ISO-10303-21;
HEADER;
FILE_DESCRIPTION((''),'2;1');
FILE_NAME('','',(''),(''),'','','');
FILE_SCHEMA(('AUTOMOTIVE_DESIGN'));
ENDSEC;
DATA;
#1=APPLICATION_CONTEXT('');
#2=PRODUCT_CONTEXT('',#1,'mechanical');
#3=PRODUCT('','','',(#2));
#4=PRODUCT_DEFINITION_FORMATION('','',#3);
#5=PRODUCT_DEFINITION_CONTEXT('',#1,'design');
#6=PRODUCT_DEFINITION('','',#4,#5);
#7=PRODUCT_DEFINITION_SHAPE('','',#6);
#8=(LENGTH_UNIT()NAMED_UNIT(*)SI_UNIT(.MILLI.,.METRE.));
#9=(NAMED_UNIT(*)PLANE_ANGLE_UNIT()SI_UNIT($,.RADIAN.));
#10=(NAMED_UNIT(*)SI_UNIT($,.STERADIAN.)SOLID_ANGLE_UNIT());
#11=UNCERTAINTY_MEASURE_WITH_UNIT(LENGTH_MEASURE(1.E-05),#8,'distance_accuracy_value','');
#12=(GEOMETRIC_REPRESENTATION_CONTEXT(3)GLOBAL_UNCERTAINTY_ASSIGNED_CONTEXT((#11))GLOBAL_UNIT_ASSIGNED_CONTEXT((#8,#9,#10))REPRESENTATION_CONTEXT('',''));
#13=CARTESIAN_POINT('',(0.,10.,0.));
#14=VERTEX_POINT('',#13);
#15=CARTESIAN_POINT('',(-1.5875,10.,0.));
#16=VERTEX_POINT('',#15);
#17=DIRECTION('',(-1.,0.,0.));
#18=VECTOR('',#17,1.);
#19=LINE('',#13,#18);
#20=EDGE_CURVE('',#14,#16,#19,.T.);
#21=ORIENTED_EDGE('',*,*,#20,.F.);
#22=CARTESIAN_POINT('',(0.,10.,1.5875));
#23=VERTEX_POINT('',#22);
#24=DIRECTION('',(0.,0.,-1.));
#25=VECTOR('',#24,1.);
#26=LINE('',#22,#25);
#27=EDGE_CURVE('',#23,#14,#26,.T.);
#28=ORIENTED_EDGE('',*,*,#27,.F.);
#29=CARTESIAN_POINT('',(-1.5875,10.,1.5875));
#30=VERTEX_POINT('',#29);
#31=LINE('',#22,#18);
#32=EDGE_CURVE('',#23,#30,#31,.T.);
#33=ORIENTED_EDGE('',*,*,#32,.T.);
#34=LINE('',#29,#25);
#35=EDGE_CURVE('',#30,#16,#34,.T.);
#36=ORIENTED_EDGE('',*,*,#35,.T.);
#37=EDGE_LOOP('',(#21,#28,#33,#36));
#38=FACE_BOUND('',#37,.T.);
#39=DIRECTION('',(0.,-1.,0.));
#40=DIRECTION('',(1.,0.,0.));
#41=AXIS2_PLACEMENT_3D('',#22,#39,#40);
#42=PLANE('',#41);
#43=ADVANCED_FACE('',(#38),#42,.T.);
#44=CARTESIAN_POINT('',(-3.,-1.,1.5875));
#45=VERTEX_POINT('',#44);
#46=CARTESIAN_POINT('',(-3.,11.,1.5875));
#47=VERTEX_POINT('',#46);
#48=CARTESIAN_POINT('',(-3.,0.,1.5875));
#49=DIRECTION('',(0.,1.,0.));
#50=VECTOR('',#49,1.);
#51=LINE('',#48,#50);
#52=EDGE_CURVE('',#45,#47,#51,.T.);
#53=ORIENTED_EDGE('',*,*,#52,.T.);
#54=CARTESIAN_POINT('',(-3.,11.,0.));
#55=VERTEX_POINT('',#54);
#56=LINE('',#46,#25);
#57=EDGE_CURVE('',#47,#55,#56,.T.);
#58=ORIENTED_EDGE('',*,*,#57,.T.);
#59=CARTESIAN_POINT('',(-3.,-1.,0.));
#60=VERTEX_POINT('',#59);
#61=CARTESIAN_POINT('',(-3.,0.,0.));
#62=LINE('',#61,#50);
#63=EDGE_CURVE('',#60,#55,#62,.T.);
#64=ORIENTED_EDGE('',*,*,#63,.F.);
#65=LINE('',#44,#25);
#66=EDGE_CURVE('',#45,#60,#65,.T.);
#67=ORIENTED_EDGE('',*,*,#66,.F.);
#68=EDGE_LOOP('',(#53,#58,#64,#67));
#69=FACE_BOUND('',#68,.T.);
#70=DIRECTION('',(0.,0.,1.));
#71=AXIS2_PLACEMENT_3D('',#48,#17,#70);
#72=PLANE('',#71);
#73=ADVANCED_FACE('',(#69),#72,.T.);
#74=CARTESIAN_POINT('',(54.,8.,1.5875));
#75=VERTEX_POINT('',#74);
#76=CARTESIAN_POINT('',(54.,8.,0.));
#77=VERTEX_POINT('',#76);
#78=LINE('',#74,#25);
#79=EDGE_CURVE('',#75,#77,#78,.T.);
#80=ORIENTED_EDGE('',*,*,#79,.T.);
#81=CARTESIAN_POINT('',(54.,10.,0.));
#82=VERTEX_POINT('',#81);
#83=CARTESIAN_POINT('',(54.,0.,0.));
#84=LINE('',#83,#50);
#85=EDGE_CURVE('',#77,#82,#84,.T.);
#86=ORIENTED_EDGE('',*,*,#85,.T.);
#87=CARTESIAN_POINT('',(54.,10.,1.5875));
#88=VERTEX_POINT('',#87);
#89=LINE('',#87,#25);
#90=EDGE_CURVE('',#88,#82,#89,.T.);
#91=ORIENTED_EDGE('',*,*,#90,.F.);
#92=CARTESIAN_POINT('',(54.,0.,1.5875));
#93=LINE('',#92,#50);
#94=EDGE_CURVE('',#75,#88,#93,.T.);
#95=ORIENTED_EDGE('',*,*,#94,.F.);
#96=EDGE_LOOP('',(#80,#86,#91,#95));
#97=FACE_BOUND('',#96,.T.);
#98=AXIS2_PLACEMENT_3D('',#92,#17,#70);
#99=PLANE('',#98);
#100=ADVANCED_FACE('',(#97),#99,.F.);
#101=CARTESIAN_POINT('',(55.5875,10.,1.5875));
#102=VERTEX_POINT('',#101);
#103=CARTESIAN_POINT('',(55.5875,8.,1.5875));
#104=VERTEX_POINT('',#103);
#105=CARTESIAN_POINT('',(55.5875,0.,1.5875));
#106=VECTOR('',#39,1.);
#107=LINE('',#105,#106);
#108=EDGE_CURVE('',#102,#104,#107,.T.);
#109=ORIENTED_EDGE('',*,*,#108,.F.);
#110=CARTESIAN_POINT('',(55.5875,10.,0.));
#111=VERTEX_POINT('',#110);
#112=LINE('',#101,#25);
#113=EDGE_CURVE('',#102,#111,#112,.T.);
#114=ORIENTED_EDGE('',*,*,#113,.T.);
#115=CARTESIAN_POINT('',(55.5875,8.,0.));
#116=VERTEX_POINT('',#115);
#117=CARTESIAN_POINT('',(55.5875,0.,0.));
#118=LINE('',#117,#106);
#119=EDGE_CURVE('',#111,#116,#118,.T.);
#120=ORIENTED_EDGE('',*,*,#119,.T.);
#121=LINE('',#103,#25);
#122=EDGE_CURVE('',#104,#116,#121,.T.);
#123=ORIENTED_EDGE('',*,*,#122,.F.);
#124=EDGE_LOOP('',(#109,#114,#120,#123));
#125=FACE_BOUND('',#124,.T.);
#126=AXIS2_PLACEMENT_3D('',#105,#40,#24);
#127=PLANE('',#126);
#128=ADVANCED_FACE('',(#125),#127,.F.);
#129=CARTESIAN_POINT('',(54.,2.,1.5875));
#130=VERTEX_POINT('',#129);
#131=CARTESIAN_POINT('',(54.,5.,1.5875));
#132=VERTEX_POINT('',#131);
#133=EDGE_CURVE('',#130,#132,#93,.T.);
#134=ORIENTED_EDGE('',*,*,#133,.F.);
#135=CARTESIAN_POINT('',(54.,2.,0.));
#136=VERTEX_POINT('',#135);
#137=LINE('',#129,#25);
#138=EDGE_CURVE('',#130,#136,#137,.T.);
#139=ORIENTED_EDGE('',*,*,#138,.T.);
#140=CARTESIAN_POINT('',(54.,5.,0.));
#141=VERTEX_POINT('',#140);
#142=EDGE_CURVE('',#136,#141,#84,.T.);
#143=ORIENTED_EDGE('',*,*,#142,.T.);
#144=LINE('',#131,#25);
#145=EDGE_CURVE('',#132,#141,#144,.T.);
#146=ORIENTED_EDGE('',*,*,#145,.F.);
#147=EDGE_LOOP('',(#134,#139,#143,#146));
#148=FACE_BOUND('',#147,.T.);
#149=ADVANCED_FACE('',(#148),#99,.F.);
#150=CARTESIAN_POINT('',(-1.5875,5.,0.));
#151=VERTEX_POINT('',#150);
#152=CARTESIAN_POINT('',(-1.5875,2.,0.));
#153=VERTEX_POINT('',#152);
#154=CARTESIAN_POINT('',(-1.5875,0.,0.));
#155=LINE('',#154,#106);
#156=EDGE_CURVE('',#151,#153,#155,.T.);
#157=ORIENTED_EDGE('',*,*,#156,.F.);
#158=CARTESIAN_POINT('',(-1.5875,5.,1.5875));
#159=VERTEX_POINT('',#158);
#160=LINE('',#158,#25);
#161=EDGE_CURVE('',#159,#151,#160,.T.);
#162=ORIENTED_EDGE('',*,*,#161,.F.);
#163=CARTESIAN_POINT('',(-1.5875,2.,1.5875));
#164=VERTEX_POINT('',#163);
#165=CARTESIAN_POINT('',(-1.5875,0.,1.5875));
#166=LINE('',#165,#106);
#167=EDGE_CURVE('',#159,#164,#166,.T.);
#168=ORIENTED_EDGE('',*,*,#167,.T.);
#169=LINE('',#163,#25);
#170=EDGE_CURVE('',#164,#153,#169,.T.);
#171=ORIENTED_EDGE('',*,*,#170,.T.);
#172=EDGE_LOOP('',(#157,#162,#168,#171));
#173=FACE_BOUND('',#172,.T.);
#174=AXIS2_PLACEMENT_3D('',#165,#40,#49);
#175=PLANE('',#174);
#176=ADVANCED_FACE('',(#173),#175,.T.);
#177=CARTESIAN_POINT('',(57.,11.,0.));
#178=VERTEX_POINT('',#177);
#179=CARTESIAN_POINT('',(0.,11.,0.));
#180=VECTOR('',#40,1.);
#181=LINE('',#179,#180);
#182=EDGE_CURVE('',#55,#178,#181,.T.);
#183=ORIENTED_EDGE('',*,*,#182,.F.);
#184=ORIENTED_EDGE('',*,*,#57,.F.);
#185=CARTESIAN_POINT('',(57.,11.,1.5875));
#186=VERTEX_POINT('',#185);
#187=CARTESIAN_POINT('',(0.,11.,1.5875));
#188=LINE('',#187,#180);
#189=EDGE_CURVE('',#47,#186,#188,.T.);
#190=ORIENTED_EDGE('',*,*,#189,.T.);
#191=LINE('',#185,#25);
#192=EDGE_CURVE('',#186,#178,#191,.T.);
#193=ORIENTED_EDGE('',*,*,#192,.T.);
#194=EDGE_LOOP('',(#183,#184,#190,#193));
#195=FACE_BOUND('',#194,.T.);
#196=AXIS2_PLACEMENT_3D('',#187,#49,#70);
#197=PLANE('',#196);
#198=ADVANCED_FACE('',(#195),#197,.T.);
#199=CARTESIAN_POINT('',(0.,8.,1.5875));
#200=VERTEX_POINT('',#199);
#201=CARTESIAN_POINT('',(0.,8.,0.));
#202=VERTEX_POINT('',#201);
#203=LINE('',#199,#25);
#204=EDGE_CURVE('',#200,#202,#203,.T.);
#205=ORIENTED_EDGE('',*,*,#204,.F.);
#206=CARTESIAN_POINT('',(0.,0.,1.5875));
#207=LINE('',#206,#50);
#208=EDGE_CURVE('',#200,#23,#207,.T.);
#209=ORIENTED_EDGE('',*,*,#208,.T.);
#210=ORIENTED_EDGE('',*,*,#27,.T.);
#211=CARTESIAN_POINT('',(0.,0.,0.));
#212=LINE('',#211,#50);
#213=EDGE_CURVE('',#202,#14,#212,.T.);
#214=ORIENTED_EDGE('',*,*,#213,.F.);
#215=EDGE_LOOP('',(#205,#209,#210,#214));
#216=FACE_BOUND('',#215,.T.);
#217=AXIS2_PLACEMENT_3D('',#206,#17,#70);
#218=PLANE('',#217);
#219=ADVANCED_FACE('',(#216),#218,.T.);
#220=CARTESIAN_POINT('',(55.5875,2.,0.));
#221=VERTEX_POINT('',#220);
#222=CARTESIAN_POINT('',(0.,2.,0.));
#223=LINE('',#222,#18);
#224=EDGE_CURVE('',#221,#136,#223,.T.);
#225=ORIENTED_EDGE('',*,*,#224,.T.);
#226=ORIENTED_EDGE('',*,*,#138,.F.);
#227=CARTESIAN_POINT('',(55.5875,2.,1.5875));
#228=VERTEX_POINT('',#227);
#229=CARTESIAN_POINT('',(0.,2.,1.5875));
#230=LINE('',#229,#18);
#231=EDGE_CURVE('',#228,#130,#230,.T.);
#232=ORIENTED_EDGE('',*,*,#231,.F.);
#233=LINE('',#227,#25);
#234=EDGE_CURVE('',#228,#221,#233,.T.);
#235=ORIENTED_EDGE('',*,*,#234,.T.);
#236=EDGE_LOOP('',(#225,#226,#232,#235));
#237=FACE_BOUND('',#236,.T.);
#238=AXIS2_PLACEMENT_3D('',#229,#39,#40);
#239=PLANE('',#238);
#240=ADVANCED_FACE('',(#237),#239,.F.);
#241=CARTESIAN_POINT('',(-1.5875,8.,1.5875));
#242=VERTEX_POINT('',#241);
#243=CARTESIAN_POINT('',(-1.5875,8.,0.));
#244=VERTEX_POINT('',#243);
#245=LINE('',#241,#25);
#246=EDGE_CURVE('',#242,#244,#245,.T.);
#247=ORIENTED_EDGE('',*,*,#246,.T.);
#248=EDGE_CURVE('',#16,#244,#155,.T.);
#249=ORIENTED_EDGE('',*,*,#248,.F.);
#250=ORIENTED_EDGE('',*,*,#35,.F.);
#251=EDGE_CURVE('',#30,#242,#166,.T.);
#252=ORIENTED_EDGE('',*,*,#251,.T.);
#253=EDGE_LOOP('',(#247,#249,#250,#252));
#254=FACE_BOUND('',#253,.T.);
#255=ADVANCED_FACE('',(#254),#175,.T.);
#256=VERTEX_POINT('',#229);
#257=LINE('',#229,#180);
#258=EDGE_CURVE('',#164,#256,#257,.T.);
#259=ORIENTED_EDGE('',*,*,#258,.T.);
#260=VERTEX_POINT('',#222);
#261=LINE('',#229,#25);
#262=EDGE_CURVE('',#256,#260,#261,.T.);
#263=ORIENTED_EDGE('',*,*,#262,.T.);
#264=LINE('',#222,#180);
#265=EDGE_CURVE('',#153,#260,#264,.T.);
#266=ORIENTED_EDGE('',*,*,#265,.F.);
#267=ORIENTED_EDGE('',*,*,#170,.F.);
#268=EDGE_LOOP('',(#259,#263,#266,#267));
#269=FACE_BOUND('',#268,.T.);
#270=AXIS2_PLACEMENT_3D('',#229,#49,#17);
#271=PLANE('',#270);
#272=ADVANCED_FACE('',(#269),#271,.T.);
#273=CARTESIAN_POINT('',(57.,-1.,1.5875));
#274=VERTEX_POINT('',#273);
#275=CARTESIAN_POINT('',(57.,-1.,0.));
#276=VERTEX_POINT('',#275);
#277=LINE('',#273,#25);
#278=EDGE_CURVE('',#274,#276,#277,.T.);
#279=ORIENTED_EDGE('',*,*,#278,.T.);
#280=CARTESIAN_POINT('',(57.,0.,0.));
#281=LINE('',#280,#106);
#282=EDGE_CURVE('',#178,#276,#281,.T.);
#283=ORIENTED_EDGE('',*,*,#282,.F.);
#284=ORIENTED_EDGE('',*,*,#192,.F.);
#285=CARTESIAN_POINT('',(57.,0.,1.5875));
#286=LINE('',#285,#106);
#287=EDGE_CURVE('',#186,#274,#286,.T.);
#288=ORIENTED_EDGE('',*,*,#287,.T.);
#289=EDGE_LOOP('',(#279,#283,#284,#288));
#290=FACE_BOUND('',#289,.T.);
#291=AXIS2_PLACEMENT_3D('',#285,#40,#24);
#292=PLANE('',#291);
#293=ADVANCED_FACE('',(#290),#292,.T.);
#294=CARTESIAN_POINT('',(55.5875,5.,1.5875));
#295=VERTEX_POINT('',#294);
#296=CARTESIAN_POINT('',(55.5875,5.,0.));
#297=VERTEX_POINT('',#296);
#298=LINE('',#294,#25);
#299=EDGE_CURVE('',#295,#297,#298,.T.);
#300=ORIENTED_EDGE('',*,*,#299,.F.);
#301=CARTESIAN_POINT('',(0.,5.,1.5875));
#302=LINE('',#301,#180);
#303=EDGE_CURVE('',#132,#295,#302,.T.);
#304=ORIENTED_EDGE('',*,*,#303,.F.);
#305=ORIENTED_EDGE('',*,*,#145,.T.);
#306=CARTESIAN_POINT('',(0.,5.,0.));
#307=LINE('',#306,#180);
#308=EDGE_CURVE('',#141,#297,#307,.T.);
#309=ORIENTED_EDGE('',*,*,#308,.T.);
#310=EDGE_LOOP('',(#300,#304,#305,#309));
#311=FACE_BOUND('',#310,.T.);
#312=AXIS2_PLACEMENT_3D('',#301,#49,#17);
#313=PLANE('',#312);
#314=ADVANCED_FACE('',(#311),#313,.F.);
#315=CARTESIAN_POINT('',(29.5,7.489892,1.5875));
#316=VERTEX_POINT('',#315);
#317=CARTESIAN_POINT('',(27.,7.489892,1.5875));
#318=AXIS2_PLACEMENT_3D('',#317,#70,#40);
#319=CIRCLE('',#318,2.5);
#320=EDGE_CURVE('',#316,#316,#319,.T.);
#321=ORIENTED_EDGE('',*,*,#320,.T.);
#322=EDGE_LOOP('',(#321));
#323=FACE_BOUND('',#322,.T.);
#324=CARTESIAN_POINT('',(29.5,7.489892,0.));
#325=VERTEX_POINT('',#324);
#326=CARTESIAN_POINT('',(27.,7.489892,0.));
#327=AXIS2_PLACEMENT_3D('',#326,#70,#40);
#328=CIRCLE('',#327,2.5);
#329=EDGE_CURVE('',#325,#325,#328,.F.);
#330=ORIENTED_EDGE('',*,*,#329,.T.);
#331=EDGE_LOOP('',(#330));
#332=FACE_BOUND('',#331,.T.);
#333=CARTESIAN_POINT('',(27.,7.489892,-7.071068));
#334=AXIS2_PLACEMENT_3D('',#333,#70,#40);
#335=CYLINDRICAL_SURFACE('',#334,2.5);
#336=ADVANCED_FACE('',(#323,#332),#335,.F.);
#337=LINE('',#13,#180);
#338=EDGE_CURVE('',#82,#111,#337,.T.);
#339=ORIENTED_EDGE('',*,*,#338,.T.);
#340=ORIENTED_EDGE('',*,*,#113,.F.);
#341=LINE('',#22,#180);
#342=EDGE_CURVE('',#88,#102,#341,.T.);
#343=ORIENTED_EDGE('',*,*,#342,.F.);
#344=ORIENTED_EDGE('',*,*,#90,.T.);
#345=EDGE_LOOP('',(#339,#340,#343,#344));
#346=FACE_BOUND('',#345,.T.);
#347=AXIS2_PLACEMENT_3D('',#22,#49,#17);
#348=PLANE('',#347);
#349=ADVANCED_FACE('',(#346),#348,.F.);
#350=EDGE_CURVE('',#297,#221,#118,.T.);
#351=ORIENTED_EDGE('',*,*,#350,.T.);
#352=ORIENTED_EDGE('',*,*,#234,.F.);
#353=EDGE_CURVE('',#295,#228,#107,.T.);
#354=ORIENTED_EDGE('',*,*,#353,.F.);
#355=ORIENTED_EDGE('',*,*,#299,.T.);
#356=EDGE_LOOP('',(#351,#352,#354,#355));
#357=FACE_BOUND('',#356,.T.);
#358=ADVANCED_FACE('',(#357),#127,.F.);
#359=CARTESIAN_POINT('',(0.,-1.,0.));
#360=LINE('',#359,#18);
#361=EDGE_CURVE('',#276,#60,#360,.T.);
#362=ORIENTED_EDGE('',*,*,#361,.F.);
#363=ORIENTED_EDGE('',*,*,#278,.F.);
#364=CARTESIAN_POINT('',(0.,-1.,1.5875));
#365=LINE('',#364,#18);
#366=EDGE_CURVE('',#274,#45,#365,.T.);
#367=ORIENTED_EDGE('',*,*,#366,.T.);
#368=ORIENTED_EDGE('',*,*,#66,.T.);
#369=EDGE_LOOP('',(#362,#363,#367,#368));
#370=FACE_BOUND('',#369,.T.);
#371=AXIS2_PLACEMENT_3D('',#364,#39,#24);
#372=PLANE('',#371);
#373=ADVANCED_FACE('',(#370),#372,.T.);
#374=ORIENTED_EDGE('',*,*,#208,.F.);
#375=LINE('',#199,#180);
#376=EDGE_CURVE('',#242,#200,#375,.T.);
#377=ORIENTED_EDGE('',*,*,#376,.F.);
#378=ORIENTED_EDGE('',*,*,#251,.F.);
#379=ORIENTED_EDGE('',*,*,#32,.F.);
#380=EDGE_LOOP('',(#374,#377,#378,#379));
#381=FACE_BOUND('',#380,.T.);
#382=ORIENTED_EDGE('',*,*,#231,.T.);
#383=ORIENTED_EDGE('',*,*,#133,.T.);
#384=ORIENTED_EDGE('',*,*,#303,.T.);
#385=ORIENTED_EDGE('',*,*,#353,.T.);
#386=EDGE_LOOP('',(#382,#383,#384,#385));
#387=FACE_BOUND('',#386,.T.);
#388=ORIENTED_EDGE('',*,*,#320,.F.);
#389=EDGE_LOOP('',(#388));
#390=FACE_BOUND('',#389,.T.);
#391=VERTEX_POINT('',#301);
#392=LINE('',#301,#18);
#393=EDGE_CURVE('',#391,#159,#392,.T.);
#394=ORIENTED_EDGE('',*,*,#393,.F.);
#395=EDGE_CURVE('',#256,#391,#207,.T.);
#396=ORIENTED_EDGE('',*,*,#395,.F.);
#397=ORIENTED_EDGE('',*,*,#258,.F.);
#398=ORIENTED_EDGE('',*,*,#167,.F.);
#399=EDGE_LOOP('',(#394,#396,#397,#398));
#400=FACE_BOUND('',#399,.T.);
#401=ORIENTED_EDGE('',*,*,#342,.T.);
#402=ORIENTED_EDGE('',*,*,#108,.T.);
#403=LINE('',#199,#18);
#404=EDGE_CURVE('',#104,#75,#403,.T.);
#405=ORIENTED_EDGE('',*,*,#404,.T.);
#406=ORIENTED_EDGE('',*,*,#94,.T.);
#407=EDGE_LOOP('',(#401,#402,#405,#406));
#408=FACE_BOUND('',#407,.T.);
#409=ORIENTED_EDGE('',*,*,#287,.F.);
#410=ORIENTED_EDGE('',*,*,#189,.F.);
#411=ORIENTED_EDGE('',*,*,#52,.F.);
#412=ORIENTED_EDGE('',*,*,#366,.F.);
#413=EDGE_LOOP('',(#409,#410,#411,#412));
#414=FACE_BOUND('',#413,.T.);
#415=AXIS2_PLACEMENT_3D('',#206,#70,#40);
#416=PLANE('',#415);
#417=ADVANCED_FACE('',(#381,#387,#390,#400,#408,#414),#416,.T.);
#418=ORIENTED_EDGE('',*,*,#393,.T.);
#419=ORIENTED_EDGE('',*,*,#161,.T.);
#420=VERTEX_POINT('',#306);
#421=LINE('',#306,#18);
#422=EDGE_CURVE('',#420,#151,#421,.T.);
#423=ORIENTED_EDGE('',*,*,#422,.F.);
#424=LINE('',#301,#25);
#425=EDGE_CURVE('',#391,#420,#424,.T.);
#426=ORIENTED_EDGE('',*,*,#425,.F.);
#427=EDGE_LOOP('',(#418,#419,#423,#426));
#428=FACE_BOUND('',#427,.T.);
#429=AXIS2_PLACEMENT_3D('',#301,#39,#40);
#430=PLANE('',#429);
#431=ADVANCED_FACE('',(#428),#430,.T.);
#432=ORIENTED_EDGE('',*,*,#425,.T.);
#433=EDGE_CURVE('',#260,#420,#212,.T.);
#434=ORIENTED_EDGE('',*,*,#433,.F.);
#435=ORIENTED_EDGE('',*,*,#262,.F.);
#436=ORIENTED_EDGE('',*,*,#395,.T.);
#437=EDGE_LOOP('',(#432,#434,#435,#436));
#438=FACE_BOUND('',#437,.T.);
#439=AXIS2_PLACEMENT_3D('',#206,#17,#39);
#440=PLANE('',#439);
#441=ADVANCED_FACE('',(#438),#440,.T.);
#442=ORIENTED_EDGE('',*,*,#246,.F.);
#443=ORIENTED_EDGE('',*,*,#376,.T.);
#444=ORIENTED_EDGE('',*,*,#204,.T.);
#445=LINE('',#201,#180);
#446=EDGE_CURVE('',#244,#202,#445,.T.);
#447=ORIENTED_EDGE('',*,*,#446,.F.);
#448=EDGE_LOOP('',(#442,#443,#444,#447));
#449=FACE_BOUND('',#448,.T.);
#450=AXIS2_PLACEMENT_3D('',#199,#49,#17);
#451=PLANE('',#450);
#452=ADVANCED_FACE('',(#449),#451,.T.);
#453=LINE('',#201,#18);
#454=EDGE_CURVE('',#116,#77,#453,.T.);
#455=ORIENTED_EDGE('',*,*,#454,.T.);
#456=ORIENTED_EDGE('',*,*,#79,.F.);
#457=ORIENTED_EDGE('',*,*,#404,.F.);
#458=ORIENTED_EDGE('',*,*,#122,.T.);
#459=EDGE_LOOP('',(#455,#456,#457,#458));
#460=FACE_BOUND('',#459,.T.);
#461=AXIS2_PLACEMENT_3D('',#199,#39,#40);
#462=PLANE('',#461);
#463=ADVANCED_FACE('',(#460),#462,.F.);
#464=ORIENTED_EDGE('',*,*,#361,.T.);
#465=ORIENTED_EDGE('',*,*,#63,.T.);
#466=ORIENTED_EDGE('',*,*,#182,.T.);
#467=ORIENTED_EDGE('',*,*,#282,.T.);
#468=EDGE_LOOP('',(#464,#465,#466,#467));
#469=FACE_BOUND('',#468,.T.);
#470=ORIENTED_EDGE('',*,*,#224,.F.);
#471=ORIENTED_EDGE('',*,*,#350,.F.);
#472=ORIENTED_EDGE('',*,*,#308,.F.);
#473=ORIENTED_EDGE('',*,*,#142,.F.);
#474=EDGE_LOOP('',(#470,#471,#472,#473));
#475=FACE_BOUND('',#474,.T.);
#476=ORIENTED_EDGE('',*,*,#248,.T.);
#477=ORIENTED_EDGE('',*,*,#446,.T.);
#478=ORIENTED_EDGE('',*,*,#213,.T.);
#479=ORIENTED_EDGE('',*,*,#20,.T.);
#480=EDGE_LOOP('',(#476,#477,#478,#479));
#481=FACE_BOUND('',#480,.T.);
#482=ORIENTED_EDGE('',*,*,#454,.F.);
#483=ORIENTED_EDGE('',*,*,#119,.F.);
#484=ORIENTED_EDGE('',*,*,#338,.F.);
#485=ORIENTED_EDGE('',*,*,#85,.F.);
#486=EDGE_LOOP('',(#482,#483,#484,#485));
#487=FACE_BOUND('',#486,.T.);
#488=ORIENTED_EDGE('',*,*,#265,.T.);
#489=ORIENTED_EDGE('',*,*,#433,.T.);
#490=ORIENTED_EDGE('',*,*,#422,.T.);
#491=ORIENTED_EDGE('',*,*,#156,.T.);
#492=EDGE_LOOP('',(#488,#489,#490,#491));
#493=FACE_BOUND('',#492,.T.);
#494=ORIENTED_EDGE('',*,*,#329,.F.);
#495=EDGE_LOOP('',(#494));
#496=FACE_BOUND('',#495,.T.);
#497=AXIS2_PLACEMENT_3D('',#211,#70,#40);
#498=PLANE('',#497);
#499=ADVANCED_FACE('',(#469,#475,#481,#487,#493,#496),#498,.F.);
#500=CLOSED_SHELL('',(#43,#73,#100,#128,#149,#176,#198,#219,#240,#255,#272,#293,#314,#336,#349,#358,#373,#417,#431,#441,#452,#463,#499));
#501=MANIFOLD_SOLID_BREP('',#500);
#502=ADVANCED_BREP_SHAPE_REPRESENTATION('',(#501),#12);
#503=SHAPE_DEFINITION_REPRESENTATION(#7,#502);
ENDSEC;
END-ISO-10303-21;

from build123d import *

# Parameters (mm, degrees)
SKETCH1_W        = 60
SKETCH1_H        = 12
SKETCH1_W_2      = 1.5875
SKETCH1_H_2      = 3
SKETCH1_H_3      = 2
EXTRUSION1_DEPTH = 1.5875
SKETCH2_R        = 2.5
EXTRUSION2_DEPTH = 1.5875


with BuildPart() as part:
    # Sketch1 → Extrusion1 (new body)
    with BuildSketch(Plane.XY):
        with Locations((27, 5)):
            Rectangle(SKETCH1_W, SKETCH1_H)
        with Locations((-0.79375, 3.5)):
            Rectangle(SKETCH1_W_2, SKETCH1_H_2, mode=Mode.SUBTRACT)
        with Locations((-0.79375, 9)):
            Rectangle(SKETCH1_W_2, SKETCH1_H_3, mode=Mode.SUBTRACT)
        with Locations((54.79375, 9)):
            Rectangle(SKETCH1_W_2, SKETCH1_H_3, mode=Mode.SUBTRACT)
        with Locations((54.79375, 3.5)):
            Rectangle(SKETCH1_W_2, SKETCH1_H_2, mode=Mode.SUBTRACT)
    extrude(amount=EXTRUSION1_DEPTH)

    # Sketch2 → Extrusion2 (cut)
    with BuildSketch(Plane.XY.offset(1.5875)):
        with Locations((27, 7.489892181)):
            Circle(SKETCH2_R)
    extrude(amount=-EXTRUSION2_DEPTH, mode=Mode.SUBTRACT)


solid = part.part
